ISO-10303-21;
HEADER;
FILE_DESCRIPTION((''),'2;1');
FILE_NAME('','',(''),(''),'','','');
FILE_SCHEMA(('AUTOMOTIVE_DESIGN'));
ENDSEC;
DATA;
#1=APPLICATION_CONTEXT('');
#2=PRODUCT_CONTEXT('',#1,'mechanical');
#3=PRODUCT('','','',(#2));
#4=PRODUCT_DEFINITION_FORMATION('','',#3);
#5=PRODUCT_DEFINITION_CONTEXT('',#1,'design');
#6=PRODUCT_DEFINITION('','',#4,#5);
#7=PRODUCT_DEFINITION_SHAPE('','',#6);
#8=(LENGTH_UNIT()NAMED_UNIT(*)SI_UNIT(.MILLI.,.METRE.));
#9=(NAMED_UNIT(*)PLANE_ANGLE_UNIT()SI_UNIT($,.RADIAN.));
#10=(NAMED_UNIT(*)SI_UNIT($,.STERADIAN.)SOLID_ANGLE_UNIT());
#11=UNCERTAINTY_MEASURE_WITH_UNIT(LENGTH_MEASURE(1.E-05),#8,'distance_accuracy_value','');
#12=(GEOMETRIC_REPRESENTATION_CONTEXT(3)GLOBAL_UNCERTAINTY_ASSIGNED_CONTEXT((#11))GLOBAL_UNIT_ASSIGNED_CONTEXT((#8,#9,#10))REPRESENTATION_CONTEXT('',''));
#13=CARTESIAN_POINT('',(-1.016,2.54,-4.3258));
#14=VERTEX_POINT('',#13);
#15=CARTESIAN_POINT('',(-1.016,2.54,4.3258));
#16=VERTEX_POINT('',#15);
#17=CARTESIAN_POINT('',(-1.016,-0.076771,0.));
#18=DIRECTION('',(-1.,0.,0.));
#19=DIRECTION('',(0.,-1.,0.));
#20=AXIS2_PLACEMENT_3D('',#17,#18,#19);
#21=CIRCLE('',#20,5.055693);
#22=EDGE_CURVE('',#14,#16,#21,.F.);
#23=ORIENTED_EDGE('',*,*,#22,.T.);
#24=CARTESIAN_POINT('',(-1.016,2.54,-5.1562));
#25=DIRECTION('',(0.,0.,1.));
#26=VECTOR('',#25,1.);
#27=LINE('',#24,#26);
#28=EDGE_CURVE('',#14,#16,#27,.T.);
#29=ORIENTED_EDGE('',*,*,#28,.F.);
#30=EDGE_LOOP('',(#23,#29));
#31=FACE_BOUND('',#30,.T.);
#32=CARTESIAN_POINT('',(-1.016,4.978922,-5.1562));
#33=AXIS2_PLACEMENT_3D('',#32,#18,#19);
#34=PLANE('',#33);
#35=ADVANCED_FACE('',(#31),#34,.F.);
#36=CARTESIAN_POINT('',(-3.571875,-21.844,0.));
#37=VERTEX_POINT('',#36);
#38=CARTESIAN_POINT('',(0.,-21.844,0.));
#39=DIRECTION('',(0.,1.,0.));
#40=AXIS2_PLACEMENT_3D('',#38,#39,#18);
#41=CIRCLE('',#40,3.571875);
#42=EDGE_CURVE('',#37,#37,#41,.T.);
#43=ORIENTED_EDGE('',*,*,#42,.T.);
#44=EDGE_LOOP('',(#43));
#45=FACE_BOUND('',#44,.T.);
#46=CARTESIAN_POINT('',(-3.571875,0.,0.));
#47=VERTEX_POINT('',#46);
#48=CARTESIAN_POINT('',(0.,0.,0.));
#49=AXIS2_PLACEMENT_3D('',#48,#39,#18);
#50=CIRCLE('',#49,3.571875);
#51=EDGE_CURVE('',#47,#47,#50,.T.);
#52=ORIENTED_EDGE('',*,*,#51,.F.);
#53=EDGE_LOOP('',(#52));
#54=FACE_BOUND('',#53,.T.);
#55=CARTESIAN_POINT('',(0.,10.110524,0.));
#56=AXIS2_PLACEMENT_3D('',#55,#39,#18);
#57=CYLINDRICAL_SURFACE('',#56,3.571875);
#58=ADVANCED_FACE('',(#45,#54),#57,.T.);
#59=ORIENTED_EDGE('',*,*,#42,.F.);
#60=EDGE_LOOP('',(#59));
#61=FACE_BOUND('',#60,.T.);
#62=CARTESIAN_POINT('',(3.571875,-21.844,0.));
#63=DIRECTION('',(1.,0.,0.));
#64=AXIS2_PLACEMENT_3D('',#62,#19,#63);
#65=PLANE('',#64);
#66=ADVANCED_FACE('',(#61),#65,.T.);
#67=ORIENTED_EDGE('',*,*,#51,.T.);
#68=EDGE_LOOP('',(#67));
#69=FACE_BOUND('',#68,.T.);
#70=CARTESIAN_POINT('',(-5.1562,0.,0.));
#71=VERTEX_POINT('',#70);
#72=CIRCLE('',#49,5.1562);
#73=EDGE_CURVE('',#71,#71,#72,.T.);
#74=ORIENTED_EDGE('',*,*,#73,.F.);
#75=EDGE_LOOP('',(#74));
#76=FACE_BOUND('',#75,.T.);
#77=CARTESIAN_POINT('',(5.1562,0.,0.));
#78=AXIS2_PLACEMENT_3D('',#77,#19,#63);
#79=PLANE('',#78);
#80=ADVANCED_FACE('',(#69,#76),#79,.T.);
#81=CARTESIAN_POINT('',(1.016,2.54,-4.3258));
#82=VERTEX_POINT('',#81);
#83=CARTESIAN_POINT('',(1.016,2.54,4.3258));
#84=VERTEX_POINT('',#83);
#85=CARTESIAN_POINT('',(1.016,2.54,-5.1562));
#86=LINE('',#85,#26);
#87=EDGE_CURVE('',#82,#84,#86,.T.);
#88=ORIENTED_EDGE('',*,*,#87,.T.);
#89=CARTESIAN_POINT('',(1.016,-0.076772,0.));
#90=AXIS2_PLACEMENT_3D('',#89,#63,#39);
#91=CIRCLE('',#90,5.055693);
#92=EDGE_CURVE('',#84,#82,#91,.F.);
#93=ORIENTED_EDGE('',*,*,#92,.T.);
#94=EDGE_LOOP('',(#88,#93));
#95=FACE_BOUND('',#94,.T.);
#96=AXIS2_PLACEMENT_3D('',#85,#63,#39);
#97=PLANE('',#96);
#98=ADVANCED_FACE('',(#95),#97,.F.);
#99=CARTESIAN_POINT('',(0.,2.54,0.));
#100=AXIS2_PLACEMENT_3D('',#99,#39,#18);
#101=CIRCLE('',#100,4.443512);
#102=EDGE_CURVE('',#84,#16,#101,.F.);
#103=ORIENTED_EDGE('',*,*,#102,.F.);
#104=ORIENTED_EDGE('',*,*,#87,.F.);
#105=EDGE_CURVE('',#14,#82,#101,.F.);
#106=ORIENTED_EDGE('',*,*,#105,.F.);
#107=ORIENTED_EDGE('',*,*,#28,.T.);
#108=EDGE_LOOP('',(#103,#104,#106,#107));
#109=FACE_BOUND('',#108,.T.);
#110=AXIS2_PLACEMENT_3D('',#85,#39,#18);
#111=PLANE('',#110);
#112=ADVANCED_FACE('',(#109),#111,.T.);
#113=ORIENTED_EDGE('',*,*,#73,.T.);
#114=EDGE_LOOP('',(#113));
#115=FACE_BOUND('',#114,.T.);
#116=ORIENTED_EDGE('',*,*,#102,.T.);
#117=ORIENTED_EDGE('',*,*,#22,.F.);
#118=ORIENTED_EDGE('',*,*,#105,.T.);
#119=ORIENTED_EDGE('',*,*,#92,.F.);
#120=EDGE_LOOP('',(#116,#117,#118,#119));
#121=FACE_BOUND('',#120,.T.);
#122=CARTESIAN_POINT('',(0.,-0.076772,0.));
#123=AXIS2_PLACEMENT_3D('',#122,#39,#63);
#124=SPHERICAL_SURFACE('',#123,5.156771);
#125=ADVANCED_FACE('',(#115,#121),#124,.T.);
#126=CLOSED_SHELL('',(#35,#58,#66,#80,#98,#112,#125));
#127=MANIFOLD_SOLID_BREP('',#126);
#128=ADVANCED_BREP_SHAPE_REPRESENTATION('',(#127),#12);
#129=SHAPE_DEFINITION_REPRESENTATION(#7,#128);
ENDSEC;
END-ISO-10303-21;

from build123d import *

# Parameters (mm, degrees)
CUT_EXTRUDE1_DEPTH      = 24.028962914
CUT_EXTRUDE1_DEPTH_BACK = 24.028962914


with BuildPart() as part:
    # Sketch1 → Base-Revolve (revolve)
    with BuildSketch(Plane.XY):
        with BuildLine():
            Line((5.1562, 0), (3.571875, 0))
            Line((3.571875, 0), (3.571875, -21.844))
            Line((3.571875, -21.844), (0, -21.844))
            Line((0, -21.844), (0, 5.08))
            ThreePointArc((0, 5.08), (3.619143491, 3.596659144), (5.1562, 0))
        make_face()
    revolve(axis=Axis((0, 10.110523875, 0), (0, -1, 0)))

    # Sketch2 → Cut-Extrude1 (cut, two sides: drawn at the far end of the back side and taken through both)
    with BuildSketch(Plane.XY.offset(-CUT_EXTRUDE1_DEPTH_BACK)):
        with BuildLine():
            Line((-1.016, 4.978921954), (-1.016, 2.54))
            Line((-1.016, 2.54), (1.016, 2.54))
            Line((1.016, 2.54), (1.016, 4.978921954))
            ThreePointArc((1.016, 4.978921954), (0, 5.08), (-1.016, 4.978921954))
        make_face()
    extrude(amount=CUT_EXTRUDE1_DEPTH + CUT_EXTRUDE1_DEPTH_BACK, mode=Mode.SUBTRACT)


solid = part.part
